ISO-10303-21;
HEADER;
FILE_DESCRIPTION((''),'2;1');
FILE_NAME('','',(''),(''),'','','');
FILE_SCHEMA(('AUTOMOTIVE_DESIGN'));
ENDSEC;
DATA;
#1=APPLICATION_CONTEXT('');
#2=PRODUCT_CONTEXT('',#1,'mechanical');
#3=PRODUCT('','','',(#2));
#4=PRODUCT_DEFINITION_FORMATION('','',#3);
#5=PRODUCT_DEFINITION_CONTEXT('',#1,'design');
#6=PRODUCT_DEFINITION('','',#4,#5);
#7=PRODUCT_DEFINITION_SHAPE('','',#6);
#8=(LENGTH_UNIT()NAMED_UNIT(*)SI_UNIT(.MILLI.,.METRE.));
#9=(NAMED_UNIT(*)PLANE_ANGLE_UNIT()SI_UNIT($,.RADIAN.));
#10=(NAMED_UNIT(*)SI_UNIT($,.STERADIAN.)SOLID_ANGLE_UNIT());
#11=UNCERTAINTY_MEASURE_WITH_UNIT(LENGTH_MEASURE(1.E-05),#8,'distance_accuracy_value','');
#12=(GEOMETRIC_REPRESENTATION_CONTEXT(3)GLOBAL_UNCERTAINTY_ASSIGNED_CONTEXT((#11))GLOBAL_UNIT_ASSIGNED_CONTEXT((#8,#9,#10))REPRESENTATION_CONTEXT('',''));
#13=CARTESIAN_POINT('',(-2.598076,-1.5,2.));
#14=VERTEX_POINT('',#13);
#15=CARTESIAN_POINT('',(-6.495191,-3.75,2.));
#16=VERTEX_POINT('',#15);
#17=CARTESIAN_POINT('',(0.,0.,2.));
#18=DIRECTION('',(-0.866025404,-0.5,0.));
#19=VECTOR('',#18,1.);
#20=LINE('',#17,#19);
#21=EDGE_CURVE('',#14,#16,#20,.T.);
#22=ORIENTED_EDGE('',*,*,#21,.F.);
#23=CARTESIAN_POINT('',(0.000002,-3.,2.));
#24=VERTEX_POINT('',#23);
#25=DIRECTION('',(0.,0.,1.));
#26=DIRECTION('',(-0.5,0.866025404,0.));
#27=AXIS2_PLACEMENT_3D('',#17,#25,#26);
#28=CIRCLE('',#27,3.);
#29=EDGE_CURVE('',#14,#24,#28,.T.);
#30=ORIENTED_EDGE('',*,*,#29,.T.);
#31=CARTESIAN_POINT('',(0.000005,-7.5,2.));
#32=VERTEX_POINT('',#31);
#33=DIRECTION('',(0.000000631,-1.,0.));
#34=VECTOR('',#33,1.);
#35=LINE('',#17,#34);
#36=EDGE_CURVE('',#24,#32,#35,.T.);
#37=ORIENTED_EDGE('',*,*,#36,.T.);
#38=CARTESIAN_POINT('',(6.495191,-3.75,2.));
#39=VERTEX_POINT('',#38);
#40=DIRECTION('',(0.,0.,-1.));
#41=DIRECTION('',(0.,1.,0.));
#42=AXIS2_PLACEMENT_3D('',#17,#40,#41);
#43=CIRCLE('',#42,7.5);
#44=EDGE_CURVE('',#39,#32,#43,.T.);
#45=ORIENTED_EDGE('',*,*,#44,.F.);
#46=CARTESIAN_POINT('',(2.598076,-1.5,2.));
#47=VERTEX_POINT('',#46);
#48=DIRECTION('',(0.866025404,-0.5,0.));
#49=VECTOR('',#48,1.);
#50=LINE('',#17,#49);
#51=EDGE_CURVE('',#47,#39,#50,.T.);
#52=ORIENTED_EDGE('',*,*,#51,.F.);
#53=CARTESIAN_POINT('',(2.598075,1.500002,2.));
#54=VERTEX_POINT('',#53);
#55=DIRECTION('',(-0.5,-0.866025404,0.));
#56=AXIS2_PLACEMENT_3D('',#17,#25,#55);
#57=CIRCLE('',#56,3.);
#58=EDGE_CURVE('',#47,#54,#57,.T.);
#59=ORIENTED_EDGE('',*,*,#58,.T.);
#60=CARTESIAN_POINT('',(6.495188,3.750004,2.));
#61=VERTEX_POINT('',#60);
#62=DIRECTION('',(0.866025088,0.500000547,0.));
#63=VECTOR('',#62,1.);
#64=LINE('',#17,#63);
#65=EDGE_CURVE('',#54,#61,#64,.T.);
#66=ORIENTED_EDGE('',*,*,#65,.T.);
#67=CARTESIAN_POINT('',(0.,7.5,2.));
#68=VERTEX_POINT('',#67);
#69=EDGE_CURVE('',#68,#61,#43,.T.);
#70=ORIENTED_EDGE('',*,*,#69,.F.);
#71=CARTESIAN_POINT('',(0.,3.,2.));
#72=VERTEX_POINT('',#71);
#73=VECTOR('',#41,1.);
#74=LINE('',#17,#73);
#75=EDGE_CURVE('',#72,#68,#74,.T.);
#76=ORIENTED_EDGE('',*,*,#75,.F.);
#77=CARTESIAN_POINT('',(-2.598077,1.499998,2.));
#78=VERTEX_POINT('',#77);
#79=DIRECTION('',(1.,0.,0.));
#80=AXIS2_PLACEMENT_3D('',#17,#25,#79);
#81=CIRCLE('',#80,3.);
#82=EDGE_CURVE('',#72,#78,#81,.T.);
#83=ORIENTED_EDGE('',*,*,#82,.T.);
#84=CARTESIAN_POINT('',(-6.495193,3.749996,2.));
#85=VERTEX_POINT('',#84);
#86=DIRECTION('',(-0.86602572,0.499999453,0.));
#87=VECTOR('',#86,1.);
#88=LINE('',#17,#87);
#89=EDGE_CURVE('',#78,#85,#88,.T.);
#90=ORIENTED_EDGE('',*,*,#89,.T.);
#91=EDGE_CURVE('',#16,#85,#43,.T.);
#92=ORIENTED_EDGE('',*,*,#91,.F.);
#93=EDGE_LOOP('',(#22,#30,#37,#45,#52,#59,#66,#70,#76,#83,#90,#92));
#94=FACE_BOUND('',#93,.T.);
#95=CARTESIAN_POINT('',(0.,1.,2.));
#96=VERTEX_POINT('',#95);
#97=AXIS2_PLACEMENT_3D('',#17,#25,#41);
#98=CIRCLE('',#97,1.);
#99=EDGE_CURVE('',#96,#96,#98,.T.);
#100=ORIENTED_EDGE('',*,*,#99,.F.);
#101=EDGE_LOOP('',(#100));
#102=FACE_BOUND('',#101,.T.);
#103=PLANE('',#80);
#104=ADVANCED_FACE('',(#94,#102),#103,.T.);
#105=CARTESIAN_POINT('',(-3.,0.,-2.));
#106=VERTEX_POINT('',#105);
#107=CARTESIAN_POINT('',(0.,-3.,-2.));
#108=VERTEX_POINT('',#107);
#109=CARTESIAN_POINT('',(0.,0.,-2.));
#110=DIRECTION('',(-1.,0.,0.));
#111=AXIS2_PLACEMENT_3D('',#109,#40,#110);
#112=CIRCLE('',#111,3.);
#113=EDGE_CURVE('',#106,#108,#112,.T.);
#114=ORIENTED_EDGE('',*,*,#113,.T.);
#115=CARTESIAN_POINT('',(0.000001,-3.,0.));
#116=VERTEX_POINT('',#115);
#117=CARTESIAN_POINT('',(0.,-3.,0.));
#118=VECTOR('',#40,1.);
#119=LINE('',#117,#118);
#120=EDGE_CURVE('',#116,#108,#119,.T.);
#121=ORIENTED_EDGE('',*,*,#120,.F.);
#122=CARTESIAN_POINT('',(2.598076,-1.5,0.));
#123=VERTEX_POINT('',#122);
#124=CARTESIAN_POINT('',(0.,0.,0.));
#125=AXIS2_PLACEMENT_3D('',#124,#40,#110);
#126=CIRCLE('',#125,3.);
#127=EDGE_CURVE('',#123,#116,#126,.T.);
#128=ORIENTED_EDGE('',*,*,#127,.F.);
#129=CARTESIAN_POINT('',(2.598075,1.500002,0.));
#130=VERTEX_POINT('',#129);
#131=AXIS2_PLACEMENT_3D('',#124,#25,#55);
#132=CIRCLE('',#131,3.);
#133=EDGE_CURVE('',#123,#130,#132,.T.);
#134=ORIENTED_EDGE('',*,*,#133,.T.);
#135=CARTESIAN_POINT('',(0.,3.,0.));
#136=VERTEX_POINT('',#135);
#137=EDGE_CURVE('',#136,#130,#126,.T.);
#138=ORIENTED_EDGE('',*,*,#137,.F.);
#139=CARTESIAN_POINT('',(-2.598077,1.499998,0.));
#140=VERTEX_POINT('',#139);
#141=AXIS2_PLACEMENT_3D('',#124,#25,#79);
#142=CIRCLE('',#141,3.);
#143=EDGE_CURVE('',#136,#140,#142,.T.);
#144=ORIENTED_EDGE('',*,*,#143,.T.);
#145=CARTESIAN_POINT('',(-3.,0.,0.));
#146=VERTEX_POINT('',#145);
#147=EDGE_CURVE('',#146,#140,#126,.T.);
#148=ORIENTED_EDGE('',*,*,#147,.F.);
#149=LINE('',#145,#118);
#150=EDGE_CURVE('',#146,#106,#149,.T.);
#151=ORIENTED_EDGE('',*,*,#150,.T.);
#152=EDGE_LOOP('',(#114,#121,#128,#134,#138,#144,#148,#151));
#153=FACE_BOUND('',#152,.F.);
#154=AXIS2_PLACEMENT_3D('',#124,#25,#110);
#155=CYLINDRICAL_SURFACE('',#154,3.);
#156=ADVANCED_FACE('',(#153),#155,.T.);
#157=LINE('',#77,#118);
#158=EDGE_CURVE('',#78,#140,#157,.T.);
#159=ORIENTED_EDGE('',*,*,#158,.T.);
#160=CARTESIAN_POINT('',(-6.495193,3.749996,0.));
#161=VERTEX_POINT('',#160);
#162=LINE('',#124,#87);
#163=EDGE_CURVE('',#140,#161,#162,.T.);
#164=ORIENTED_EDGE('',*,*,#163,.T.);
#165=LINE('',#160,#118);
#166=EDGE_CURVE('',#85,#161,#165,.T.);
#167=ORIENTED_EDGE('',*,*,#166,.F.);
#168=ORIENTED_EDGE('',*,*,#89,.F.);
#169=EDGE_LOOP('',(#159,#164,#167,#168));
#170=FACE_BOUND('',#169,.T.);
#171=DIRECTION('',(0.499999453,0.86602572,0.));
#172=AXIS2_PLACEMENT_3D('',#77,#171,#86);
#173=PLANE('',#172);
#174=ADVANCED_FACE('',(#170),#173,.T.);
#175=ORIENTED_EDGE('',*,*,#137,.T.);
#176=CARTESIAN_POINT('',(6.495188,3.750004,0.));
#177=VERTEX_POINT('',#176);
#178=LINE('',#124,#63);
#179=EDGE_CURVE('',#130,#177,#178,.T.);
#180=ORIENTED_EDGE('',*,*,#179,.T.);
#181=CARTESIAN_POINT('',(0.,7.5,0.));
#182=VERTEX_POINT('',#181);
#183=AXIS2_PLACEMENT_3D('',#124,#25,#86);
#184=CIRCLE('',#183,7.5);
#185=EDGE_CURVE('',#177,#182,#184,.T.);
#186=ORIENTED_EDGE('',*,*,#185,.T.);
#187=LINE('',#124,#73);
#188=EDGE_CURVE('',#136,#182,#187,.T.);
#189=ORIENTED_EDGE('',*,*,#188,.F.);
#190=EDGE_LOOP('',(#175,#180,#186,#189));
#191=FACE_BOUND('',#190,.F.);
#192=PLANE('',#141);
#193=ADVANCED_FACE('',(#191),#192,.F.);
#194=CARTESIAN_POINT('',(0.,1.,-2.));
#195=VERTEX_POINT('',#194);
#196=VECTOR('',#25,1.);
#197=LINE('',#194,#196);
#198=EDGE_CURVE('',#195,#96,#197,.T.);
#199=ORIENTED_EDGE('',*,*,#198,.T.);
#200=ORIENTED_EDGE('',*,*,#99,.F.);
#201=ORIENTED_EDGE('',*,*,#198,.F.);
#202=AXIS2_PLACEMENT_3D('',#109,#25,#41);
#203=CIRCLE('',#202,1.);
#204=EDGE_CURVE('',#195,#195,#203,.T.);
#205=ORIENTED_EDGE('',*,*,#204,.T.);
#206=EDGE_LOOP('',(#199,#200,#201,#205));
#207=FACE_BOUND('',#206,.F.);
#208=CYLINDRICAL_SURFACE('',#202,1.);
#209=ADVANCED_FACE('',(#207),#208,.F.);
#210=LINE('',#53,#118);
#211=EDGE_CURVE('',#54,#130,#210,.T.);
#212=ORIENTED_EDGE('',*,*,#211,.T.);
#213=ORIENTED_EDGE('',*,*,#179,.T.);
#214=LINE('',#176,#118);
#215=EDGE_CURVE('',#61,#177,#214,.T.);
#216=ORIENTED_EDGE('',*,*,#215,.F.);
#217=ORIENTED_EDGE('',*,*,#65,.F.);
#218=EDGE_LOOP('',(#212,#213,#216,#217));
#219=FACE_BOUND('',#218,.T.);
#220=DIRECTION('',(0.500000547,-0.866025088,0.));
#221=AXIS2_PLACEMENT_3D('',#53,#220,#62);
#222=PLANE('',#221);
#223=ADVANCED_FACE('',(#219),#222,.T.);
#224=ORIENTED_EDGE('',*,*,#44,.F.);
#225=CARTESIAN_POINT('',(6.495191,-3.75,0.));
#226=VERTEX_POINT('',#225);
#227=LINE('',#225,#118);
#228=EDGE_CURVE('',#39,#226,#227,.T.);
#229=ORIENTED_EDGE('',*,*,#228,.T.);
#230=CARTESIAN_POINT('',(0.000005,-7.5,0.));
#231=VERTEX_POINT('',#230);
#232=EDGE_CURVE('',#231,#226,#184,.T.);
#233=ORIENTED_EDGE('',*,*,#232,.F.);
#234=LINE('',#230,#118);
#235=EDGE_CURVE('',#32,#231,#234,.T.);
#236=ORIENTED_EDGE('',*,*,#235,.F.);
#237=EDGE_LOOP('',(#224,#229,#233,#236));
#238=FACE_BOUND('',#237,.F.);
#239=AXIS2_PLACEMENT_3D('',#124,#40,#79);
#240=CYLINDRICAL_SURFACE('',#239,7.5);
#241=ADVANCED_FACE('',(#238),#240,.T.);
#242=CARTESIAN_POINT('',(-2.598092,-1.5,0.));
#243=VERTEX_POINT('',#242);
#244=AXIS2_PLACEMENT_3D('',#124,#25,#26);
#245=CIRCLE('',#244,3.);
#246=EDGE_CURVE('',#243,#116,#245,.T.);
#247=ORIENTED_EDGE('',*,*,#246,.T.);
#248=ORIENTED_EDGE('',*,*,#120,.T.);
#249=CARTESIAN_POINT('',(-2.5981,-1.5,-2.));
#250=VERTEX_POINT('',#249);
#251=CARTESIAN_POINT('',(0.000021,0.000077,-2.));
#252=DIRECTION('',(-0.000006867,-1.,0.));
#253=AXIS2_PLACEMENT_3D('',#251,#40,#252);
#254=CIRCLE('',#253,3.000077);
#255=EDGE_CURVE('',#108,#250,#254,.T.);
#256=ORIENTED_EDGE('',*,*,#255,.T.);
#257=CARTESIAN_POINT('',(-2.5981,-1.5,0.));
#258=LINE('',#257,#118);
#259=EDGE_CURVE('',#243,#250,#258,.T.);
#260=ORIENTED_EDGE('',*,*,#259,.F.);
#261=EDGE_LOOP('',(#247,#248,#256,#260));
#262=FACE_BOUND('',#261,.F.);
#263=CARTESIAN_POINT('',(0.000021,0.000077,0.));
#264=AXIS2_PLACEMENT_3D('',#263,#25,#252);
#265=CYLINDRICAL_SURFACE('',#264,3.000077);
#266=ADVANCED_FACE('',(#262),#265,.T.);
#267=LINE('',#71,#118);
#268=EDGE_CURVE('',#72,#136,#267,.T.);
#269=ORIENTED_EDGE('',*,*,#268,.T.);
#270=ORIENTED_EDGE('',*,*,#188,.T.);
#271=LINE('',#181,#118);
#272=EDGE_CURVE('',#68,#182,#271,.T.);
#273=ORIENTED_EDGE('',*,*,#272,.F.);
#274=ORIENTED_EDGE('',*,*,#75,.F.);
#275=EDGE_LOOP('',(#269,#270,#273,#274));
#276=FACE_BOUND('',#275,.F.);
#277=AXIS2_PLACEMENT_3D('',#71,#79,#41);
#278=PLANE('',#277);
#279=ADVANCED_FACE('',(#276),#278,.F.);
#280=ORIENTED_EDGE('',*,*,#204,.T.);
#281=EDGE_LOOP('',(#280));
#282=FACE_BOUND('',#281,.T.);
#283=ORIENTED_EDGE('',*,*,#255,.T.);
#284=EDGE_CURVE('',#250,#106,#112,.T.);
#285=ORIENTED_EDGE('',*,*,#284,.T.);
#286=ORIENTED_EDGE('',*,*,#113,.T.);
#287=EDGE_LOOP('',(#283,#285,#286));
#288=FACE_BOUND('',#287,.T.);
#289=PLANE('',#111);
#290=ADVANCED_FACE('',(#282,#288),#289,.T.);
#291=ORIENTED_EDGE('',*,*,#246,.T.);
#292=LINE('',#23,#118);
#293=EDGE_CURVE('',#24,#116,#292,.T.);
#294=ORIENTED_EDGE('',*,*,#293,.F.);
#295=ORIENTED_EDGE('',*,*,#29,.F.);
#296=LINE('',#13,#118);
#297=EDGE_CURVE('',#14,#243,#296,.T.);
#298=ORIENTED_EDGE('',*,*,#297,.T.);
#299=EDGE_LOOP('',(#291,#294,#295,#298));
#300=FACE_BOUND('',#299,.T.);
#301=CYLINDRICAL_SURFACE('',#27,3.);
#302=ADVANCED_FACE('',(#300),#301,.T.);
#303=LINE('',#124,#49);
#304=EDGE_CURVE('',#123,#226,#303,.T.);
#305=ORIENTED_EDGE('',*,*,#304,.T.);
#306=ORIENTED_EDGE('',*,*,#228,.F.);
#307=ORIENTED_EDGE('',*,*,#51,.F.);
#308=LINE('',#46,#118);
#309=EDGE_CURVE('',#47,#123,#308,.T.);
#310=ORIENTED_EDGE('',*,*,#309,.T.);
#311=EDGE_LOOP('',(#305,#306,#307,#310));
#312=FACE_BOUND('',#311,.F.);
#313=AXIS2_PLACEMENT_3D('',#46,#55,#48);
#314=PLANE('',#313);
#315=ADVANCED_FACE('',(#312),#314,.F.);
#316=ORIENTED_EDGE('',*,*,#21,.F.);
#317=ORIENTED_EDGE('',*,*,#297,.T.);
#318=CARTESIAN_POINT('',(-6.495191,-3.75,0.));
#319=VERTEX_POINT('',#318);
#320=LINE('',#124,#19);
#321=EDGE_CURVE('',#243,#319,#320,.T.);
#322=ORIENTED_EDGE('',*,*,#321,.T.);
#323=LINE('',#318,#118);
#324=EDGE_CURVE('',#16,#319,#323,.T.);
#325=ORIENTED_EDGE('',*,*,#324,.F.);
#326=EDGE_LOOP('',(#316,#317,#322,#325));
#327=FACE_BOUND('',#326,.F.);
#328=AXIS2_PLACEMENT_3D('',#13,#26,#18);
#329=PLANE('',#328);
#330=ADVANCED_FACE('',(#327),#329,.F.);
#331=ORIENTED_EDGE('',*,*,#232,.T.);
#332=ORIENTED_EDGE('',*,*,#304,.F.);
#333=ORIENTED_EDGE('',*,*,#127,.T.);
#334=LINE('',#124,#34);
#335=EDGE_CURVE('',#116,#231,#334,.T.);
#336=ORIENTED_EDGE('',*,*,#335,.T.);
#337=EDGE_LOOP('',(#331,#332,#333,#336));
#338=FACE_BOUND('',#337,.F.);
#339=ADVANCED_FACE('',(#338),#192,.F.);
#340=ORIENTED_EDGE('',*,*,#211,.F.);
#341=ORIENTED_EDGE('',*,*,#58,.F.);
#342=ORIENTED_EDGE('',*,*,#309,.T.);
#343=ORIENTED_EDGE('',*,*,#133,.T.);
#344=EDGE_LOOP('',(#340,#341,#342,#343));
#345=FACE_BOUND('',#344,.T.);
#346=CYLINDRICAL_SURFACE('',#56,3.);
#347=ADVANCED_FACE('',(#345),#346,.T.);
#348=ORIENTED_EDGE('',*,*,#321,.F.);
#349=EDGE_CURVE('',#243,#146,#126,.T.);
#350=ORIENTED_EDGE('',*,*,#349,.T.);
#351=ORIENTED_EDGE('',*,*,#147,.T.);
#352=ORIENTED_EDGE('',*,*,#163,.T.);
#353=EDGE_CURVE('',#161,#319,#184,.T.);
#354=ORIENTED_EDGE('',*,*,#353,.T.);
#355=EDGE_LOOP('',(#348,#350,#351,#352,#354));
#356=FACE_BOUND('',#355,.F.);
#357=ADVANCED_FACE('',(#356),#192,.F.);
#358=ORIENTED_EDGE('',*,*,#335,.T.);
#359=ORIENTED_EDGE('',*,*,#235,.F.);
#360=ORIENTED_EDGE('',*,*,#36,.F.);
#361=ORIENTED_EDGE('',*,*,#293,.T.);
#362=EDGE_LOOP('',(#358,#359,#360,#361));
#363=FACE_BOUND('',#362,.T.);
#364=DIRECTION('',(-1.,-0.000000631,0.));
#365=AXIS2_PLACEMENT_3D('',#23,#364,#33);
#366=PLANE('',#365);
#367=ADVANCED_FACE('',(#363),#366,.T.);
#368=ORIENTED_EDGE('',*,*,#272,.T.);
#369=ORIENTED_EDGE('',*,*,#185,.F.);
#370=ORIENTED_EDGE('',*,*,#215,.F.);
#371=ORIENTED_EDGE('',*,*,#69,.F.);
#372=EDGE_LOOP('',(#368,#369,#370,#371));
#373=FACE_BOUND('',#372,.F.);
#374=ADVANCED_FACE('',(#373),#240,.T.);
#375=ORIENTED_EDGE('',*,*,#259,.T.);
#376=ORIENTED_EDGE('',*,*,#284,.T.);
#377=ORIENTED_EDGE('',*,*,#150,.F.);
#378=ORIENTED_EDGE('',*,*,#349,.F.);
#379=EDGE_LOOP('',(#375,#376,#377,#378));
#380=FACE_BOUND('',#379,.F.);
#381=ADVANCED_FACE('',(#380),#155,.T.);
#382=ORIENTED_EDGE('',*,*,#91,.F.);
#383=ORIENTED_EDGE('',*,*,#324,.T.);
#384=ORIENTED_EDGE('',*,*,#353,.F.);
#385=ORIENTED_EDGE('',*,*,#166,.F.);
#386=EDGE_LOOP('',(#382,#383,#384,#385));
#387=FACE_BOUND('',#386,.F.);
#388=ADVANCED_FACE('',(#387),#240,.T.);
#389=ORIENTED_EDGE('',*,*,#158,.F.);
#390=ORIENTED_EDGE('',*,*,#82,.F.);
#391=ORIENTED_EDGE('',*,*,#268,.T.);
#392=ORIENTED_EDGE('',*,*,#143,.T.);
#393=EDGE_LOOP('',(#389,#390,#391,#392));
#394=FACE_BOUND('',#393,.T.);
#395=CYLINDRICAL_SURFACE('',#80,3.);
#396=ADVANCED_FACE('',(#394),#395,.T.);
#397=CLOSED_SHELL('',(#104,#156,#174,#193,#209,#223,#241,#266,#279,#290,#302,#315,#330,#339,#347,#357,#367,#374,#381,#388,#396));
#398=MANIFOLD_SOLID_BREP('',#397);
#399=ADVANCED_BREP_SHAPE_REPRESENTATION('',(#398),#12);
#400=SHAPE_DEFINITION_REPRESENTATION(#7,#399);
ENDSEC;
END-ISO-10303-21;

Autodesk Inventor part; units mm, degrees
ref_plane "YZ Plane" through (0, 0, 0) normal (1, 0, 0) x (0, 1, 0)
ref_plane "XZ Plane" through (0, 0, 0) normal (0, 1, 0) x (-1, 0, 0)
ref_plane "XY Plane" through (0, 0, 0) normal (0, 0, 1) x (1, 0, 0)
sketch "スケッチ1" plane through (0, 0, 0) normal (0, 0, 1) x (1, 0, 0)
  circle A0 centre (0, 0) radius 7.5
  dimension "DIA" = 15
extrude "押し出し1" add sketch "スケッチ1" along normal blind 2
sketch "スケッチ2" plane through (0, 0, 2) normal (0, 0, 1) x (1, 0, 0)
  line L0 (0, 0) -> (0, 15)
  line L1 (0, 0) -> (-12.9904, 7.5)
  line L2 (0, 0) -> (15, 0) construction
  line L3 (-12.9904, 7.5) -> (0, 15)
  circle A0 centre (0, 0) radius 3
  point P0 (-2.5981, 1.5)
  point P1 (0, 3)
  dimension "d3" = 15
  dimension "d4" = 15
  dimension "d5" = 150
  dimension "HUB_DIA" = 6
extrude "押し出し2" cut sketch "スケッチ2" against normal blind 2 contours A0 L1 L3 L0
pattern_circular "円形状パターン1" count 3 over 360 about axis through (0, 0, -10) along (0, 0, 1) of "押し出し2"
sketch "スケッチ3" plane through (0, 0, 0) normal (0, 0, -1) x (-1, 0, 0)
  circle A0 centre (0, 0) radius 3
  arc A1 (0, -3) -> (2.5981, -1.5) centre (0, 0) ccw projected
extrude "押し出し3" add sketch "スケッチ3" along normal blind 2
sketch "スケッチ4" plane through (0, 0, -2) normal (0, 0, -1) x (-1, 0, 0)
  point P0 (0, 0)
  point P1 (0, 0)
hole "穴1" at (0, 0, -2) direction (0, 0, 1) diameter 2 end through all
equation "\"d3\" = DIA"
equation "\"d4\" = DIA"
equation "\"d6\" = THIN"
equation "\"d12\" = THIN"
equation "\"THIN\" = 2"
properties part number "SlitDisc-FA130"
